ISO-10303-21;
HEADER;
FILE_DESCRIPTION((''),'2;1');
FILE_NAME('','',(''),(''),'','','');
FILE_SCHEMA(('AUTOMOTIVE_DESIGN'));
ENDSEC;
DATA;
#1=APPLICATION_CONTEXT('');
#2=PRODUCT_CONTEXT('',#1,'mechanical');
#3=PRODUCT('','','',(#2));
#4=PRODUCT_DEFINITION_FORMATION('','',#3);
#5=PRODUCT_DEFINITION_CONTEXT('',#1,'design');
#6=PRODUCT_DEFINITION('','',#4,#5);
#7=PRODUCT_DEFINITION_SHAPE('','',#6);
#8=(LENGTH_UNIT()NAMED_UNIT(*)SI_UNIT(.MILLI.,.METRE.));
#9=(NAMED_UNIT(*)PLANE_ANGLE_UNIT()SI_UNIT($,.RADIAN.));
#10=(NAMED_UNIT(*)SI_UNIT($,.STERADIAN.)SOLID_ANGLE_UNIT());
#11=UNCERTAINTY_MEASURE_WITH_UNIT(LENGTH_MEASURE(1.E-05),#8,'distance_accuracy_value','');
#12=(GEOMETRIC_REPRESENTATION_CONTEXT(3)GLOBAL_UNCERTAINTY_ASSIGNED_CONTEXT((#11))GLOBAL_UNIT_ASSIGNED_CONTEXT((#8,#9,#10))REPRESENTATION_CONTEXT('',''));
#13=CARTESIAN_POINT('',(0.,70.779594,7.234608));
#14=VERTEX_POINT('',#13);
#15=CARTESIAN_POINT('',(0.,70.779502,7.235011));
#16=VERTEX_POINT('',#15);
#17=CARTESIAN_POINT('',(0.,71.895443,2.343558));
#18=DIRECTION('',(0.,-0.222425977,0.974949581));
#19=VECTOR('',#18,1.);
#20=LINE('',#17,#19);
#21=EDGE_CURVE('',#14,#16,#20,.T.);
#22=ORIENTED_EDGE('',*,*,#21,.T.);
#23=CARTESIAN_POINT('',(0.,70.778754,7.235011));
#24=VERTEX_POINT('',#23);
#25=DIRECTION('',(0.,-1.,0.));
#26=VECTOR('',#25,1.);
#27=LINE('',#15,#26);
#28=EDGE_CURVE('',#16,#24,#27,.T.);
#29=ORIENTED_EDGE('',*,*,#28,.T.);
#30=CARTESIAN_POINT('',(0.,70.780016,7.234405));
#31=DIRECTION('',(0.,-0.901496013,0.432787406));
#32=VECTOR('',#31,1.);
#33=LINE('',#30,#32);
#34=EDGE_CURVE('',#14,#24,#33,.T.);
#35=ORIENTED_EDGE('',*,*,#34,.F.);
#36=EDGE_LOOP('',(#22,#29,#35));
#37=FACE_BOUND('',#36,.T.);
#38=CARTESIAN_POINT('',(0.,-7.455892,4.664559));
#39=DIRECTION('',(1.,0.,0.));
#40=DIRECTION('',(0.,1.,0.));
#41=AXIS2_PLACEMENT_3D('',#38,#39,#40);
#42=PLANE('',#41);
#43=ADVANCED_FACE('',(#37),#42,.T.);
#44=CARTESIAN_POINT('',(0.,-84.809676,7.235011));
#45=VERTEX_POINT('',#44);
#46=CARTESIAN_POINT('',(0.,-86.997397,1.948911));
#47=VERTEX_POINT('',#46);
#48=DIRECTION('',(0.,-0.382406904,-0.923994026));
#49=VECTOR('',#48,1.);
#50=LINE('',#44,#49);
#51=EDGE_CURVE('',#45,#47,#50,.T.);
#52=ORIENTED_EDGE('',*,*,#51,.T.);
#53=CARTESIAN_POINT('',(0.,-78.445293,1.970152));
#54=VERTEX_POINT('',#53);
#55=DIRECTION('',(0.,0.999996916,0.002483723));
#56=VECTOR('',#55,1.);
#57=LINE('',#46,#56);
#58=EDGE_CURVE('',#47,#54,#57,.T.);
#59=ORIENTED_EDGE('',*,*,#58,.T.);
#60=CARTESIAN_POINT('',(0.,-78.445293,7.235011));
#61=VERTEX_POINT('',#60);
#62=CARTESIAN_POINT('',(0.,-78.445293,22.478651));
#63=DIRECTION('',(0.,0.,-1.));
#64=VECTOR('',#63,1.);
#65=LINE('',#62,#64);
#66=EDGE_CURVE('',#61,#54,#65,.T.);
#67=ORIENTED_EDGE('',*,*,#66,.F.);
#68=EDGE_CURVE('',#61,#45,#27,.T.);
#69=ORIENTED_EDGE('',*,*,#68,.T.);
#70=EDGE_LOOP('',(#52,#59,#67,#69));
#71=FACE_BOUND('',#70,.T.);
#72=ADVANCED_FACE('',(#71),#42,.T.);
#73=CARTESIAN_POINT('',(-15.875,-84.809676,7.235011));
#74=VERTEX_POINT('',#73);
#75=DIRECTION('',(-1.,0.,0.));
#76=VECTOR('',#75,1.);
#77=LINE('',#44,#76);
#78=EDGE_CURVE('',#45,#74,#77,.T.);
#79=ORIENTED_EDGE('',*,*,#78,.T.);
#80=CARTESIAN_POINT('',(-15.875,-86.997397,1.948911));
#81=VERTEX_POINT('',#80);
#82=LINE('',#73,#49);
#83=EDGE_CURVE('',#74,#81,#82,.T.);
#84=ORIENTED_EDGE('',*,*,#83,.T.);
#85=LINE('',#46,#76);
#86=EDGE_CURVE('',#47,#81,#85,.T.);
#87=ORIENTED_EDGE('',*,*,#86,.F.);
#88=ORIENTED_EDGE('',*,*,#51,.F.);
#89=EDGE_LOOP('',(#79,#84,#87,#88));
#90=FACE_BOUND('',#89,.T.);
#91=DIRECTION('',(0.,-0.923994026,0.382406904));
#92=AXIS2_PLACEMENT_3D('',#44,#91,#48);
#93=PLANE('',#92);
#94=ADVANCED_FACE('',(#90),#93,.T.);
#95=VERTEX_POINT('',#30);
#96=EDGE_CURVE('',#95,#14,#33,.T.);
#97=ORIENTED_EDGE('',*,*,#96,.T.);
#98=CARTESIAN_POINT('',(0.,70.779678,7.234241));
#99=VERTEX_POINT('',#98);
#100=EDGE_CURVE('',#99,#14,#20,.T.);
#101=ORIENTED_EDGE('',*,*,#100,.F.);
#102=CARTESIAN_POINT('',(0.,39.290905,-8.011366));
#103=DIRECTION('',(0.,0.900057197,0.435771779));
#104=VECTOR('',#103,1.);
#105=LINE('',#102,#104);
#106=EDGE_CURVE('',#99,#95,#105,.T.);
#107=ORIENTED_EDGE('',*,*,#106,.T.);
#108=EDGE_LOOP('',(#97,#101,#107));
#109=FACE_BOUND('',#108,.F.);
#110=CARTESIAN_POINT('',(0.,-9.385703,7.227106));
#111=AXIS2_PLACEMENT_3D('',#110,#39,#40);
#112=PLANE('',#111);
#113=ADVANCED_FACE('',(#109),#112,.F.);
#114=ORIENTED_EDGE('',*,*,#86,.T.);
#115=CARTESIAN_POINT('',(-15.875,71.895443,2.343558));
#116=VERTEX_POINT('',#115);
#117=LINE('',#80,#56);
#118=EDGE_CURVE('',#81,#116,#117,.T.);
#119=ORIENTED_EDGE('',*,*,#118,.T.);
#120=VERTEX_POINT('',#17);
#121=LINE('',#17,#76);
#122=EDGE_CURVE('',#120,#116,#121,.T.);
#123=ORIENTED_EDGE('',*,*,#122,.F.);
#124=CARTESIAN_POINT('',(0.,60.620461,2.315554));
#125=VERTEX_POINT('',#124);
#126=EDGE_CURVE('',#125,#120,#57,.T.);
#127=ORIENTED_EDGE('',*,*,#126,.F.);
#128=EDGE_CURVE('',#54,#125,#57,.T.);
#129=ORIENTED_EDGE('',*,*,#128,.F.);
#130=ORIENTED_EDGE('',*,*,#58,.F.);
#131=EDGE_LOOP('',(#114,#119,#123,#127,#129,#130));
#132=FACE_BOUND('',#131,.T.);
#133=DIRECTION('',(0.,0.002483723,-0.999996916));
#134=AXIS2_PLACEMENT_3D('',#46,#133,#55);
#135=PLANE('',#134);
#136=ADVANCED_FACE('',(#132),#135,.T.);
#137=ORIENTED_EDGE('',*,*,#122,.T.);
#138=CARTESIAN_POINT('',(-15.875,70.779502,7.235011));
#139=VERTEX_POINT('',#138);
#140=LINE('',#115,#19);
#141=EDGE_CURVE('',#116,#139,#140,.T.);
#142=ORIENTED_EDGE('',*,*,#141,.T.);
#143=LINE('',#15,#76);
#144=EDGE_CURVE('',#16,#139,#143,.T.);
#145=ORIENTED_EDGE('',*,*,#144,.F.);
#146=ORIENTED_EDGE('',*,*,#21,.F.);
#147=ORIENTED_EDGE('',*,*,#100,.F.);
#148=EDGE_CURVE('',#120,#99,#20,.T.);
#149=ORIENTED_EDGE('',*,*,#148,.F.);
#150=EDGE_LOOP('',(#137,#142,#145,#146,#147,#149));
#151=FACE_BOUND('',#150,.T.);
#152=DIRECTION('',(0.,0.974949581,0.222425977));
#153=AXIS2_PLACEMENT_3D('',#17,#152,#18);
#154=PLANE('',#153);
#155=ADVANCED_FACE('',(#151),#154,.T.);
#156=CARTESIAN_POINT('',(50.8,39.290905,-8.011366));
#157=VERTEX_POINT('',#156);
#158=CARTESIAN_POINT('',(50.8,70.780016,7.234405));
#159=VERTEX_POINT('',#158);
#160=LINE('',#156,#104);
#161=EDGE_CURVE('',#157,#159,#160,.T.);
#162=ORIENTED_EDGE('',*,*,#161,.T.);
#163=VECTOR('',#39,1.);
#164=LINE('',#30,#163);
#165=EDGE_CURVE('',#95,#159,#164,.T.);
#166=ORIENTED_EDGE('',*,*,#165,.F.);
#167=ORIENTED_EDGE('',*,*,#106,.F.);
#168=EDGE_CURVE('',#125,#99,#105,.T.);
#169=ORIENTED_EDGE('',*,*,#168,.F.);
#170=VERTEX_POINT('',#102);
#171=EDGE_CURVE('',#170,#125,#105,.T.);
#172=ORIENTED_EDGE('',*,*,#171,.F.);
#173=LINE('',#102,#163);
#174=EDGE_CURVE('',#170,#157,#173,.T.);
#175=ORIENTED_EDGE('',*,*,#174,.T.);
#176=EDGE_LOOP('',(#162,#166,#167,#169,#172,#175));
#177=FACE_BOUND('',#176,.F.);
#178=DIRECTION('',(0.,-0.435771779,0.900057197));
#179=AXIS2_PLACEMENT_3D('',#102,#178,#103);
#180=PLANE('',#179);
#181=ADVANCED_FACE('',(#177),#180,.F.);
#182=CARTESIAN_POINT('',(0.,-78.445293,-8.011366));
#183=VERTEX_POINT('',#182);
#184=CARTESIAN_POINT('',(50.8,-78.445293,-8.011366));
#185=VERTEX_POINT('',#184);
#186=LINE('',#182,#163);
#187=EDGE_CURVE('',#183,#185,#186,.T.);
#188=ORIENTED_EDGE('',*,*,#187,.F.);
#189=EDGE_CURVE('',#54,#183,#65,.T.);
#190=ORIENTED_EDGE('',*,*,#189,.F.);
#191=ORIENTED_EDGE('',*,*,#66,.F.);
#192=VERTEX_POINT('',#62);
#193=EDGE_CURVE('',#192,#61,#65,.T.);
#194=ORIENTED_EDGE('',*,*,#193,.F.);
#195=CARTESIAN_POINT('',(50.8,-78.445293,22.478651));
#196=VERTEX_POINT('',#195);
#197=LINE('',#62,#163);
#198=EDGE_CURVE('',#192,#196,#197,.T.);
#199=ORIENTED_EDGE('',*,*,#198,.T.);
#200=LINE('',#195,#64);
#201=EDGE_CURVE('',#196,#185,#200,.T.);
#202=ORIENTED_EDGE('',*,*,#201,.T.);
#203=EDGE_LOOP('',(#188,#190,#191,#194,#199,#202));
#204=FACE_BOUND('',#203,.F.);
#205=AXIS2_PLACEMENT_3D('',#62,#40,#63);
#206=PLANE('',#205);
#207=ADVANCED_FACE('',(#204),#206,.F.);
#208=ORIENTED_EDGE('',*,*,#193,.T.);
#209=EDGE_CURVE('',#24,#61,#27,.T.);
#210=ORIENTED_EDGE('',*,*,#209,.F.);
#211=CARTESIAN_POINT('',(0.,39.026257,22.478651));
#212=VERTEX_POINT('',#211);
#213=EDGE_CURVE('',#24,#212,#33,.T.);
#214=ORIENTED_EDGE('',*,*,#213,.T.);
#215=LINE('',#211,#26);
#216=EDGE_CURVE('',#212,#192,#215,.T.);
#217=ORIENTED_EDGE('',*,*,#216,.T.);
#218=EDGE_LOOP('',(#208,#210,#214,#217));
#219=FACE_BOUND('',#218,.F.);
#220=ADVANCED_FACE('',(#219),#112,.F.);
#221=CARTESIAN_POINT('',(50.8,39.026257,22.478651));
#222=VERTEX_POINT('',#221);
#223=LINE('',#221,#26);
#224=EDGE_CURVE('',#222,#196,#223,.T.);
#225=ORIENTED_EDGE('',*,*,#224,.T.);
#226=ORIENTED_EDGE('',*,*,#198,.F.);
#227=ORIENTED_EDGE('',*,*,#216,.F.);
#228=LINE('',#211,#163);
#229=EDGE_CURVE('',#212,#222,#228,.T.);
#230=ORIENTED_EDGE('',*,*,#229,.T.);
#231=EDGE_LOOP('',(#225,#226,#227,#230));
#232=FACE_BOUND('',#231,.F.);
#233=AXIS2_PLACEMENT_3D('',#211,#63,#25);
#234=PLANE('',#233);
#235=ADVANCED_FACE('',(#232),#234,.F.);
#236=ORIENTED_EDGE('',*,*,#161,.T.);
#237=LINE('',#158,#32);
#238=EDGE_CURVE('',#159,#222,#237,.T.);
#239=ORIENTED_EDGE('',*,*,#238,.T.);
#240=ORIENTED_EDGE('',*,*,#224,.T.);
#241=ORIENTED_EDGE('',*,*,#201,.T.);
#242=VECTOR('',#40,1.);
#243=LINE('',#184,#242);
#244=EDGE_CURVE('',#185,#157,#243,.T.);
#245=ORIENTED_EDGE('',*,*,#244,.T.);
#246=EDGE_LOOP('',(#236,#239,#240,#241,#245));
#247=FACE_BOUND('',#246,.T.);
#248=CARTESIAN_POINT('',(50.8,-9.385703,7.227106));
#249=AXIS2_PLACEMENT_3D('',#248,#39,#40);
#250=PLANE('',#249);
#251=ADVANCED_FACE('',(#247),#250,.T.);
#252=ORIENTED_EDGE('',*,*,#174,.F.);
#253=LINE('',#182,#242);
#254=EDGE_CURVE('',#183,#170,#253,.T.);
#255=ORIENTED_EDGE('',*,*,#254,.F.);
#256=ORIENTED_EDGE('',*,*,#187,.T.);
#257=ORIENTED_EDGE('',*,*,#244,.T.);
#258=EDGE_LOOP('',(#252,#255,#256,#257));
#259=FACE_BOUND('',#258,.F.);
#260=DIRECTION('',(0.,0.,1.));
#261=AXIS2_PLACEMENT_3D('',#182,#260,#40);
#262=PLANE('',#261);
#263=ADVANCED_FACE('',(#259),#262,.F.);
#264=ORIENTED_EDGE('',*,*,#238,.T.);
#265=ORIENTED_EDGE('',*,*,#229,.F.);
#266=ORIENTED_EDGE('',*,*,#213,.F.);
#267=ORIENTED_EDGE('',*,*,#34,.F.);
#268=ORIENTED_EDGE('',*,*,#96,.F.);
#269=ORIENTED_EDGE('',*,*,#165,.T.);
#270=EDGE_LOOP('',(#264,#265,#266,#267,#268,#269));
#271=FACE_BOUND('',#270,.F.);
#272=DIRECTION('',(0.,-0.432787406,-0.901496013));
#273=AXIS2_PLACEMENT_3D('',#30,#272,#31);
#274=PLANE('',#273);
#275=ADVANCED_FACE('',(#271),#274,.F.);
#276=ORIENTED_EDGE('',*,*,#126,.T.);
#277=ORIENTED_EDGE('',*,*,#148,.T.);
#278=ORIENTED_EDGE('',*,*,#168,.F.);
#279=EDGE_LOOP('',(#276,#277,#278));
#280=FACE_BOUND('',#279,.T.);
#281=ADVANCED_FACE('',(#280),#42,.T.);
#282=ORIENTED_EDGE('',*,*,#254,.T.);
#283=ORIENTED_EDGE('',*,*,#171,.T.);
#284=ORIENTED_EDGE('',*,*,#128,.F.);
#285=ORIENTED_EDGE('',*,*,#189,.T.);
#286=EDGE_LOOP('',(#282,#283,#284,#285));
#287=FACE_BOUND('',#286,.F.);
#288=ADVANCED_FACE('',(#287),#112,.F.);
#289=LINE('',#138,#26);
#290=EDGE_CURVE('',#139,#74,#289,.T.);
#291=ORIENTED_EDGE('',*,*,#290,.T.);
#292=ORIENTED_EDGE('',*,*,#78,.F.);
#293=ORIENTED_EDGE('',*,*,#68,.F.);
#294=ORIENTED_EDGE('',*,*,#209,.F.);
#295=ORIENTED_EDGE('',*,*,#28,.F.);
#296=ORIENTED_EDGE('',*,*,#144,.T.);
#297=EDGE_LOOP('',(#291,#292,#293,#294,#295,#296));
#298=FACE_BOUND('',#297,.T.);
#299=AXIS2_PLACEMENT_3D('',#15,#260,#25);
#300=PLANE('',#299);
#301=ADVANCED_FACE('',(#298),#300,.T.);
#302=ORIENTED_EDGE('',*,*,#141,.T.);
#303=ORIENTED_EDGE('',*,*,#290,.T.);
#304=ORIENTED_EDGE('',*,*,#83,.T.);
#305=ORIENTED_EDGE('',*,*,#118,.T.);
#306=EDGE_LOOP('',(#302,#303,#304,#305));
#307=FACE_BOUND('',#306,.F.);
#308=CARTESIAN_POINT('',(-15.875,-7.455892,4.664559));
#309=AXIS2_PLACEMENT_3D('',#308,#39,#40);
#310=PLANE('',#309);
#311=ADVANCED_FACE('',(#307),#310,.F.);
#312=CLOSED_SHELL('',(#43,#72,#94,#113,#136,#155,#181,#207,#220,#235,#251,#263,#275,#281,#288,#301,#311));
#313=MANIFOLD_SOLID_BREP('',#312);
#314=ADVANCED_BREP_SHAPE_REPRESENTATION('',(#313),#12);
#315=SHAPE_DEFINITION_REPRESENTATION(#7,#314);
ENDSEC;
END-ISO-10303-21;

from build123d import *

# Parameters (mm, degrees)
F1_DEPTH = 50.8
F3_DEPTH = 15.875


with BuildPart() as f1:
    # F0 (on Right) → F1 (new body)
    with BuildSketch(Plane.YZ):
        Polygon((-78.445293, 22.478651), (-78.445293, 7.234405), (-78.445293, -8.011366), (39.290905, -8.011366), (70.780016, 7.234405), (39.026257, 22.478651), align=None)
    extrude(amount=F1_DEPTH)

    # F2 (on Right) → F3 (join)
    with BuildSketch(Plane.YZ):
        Polygon((71.895443, 2.343558), (70.779502, 7.235011), (-78.452043, 7.235011), (-84.809676, 7.235011), (-86.997397, 1.948911), align=None)
    extrude(amount=-F3_DEPTH)


solid = f1.part
